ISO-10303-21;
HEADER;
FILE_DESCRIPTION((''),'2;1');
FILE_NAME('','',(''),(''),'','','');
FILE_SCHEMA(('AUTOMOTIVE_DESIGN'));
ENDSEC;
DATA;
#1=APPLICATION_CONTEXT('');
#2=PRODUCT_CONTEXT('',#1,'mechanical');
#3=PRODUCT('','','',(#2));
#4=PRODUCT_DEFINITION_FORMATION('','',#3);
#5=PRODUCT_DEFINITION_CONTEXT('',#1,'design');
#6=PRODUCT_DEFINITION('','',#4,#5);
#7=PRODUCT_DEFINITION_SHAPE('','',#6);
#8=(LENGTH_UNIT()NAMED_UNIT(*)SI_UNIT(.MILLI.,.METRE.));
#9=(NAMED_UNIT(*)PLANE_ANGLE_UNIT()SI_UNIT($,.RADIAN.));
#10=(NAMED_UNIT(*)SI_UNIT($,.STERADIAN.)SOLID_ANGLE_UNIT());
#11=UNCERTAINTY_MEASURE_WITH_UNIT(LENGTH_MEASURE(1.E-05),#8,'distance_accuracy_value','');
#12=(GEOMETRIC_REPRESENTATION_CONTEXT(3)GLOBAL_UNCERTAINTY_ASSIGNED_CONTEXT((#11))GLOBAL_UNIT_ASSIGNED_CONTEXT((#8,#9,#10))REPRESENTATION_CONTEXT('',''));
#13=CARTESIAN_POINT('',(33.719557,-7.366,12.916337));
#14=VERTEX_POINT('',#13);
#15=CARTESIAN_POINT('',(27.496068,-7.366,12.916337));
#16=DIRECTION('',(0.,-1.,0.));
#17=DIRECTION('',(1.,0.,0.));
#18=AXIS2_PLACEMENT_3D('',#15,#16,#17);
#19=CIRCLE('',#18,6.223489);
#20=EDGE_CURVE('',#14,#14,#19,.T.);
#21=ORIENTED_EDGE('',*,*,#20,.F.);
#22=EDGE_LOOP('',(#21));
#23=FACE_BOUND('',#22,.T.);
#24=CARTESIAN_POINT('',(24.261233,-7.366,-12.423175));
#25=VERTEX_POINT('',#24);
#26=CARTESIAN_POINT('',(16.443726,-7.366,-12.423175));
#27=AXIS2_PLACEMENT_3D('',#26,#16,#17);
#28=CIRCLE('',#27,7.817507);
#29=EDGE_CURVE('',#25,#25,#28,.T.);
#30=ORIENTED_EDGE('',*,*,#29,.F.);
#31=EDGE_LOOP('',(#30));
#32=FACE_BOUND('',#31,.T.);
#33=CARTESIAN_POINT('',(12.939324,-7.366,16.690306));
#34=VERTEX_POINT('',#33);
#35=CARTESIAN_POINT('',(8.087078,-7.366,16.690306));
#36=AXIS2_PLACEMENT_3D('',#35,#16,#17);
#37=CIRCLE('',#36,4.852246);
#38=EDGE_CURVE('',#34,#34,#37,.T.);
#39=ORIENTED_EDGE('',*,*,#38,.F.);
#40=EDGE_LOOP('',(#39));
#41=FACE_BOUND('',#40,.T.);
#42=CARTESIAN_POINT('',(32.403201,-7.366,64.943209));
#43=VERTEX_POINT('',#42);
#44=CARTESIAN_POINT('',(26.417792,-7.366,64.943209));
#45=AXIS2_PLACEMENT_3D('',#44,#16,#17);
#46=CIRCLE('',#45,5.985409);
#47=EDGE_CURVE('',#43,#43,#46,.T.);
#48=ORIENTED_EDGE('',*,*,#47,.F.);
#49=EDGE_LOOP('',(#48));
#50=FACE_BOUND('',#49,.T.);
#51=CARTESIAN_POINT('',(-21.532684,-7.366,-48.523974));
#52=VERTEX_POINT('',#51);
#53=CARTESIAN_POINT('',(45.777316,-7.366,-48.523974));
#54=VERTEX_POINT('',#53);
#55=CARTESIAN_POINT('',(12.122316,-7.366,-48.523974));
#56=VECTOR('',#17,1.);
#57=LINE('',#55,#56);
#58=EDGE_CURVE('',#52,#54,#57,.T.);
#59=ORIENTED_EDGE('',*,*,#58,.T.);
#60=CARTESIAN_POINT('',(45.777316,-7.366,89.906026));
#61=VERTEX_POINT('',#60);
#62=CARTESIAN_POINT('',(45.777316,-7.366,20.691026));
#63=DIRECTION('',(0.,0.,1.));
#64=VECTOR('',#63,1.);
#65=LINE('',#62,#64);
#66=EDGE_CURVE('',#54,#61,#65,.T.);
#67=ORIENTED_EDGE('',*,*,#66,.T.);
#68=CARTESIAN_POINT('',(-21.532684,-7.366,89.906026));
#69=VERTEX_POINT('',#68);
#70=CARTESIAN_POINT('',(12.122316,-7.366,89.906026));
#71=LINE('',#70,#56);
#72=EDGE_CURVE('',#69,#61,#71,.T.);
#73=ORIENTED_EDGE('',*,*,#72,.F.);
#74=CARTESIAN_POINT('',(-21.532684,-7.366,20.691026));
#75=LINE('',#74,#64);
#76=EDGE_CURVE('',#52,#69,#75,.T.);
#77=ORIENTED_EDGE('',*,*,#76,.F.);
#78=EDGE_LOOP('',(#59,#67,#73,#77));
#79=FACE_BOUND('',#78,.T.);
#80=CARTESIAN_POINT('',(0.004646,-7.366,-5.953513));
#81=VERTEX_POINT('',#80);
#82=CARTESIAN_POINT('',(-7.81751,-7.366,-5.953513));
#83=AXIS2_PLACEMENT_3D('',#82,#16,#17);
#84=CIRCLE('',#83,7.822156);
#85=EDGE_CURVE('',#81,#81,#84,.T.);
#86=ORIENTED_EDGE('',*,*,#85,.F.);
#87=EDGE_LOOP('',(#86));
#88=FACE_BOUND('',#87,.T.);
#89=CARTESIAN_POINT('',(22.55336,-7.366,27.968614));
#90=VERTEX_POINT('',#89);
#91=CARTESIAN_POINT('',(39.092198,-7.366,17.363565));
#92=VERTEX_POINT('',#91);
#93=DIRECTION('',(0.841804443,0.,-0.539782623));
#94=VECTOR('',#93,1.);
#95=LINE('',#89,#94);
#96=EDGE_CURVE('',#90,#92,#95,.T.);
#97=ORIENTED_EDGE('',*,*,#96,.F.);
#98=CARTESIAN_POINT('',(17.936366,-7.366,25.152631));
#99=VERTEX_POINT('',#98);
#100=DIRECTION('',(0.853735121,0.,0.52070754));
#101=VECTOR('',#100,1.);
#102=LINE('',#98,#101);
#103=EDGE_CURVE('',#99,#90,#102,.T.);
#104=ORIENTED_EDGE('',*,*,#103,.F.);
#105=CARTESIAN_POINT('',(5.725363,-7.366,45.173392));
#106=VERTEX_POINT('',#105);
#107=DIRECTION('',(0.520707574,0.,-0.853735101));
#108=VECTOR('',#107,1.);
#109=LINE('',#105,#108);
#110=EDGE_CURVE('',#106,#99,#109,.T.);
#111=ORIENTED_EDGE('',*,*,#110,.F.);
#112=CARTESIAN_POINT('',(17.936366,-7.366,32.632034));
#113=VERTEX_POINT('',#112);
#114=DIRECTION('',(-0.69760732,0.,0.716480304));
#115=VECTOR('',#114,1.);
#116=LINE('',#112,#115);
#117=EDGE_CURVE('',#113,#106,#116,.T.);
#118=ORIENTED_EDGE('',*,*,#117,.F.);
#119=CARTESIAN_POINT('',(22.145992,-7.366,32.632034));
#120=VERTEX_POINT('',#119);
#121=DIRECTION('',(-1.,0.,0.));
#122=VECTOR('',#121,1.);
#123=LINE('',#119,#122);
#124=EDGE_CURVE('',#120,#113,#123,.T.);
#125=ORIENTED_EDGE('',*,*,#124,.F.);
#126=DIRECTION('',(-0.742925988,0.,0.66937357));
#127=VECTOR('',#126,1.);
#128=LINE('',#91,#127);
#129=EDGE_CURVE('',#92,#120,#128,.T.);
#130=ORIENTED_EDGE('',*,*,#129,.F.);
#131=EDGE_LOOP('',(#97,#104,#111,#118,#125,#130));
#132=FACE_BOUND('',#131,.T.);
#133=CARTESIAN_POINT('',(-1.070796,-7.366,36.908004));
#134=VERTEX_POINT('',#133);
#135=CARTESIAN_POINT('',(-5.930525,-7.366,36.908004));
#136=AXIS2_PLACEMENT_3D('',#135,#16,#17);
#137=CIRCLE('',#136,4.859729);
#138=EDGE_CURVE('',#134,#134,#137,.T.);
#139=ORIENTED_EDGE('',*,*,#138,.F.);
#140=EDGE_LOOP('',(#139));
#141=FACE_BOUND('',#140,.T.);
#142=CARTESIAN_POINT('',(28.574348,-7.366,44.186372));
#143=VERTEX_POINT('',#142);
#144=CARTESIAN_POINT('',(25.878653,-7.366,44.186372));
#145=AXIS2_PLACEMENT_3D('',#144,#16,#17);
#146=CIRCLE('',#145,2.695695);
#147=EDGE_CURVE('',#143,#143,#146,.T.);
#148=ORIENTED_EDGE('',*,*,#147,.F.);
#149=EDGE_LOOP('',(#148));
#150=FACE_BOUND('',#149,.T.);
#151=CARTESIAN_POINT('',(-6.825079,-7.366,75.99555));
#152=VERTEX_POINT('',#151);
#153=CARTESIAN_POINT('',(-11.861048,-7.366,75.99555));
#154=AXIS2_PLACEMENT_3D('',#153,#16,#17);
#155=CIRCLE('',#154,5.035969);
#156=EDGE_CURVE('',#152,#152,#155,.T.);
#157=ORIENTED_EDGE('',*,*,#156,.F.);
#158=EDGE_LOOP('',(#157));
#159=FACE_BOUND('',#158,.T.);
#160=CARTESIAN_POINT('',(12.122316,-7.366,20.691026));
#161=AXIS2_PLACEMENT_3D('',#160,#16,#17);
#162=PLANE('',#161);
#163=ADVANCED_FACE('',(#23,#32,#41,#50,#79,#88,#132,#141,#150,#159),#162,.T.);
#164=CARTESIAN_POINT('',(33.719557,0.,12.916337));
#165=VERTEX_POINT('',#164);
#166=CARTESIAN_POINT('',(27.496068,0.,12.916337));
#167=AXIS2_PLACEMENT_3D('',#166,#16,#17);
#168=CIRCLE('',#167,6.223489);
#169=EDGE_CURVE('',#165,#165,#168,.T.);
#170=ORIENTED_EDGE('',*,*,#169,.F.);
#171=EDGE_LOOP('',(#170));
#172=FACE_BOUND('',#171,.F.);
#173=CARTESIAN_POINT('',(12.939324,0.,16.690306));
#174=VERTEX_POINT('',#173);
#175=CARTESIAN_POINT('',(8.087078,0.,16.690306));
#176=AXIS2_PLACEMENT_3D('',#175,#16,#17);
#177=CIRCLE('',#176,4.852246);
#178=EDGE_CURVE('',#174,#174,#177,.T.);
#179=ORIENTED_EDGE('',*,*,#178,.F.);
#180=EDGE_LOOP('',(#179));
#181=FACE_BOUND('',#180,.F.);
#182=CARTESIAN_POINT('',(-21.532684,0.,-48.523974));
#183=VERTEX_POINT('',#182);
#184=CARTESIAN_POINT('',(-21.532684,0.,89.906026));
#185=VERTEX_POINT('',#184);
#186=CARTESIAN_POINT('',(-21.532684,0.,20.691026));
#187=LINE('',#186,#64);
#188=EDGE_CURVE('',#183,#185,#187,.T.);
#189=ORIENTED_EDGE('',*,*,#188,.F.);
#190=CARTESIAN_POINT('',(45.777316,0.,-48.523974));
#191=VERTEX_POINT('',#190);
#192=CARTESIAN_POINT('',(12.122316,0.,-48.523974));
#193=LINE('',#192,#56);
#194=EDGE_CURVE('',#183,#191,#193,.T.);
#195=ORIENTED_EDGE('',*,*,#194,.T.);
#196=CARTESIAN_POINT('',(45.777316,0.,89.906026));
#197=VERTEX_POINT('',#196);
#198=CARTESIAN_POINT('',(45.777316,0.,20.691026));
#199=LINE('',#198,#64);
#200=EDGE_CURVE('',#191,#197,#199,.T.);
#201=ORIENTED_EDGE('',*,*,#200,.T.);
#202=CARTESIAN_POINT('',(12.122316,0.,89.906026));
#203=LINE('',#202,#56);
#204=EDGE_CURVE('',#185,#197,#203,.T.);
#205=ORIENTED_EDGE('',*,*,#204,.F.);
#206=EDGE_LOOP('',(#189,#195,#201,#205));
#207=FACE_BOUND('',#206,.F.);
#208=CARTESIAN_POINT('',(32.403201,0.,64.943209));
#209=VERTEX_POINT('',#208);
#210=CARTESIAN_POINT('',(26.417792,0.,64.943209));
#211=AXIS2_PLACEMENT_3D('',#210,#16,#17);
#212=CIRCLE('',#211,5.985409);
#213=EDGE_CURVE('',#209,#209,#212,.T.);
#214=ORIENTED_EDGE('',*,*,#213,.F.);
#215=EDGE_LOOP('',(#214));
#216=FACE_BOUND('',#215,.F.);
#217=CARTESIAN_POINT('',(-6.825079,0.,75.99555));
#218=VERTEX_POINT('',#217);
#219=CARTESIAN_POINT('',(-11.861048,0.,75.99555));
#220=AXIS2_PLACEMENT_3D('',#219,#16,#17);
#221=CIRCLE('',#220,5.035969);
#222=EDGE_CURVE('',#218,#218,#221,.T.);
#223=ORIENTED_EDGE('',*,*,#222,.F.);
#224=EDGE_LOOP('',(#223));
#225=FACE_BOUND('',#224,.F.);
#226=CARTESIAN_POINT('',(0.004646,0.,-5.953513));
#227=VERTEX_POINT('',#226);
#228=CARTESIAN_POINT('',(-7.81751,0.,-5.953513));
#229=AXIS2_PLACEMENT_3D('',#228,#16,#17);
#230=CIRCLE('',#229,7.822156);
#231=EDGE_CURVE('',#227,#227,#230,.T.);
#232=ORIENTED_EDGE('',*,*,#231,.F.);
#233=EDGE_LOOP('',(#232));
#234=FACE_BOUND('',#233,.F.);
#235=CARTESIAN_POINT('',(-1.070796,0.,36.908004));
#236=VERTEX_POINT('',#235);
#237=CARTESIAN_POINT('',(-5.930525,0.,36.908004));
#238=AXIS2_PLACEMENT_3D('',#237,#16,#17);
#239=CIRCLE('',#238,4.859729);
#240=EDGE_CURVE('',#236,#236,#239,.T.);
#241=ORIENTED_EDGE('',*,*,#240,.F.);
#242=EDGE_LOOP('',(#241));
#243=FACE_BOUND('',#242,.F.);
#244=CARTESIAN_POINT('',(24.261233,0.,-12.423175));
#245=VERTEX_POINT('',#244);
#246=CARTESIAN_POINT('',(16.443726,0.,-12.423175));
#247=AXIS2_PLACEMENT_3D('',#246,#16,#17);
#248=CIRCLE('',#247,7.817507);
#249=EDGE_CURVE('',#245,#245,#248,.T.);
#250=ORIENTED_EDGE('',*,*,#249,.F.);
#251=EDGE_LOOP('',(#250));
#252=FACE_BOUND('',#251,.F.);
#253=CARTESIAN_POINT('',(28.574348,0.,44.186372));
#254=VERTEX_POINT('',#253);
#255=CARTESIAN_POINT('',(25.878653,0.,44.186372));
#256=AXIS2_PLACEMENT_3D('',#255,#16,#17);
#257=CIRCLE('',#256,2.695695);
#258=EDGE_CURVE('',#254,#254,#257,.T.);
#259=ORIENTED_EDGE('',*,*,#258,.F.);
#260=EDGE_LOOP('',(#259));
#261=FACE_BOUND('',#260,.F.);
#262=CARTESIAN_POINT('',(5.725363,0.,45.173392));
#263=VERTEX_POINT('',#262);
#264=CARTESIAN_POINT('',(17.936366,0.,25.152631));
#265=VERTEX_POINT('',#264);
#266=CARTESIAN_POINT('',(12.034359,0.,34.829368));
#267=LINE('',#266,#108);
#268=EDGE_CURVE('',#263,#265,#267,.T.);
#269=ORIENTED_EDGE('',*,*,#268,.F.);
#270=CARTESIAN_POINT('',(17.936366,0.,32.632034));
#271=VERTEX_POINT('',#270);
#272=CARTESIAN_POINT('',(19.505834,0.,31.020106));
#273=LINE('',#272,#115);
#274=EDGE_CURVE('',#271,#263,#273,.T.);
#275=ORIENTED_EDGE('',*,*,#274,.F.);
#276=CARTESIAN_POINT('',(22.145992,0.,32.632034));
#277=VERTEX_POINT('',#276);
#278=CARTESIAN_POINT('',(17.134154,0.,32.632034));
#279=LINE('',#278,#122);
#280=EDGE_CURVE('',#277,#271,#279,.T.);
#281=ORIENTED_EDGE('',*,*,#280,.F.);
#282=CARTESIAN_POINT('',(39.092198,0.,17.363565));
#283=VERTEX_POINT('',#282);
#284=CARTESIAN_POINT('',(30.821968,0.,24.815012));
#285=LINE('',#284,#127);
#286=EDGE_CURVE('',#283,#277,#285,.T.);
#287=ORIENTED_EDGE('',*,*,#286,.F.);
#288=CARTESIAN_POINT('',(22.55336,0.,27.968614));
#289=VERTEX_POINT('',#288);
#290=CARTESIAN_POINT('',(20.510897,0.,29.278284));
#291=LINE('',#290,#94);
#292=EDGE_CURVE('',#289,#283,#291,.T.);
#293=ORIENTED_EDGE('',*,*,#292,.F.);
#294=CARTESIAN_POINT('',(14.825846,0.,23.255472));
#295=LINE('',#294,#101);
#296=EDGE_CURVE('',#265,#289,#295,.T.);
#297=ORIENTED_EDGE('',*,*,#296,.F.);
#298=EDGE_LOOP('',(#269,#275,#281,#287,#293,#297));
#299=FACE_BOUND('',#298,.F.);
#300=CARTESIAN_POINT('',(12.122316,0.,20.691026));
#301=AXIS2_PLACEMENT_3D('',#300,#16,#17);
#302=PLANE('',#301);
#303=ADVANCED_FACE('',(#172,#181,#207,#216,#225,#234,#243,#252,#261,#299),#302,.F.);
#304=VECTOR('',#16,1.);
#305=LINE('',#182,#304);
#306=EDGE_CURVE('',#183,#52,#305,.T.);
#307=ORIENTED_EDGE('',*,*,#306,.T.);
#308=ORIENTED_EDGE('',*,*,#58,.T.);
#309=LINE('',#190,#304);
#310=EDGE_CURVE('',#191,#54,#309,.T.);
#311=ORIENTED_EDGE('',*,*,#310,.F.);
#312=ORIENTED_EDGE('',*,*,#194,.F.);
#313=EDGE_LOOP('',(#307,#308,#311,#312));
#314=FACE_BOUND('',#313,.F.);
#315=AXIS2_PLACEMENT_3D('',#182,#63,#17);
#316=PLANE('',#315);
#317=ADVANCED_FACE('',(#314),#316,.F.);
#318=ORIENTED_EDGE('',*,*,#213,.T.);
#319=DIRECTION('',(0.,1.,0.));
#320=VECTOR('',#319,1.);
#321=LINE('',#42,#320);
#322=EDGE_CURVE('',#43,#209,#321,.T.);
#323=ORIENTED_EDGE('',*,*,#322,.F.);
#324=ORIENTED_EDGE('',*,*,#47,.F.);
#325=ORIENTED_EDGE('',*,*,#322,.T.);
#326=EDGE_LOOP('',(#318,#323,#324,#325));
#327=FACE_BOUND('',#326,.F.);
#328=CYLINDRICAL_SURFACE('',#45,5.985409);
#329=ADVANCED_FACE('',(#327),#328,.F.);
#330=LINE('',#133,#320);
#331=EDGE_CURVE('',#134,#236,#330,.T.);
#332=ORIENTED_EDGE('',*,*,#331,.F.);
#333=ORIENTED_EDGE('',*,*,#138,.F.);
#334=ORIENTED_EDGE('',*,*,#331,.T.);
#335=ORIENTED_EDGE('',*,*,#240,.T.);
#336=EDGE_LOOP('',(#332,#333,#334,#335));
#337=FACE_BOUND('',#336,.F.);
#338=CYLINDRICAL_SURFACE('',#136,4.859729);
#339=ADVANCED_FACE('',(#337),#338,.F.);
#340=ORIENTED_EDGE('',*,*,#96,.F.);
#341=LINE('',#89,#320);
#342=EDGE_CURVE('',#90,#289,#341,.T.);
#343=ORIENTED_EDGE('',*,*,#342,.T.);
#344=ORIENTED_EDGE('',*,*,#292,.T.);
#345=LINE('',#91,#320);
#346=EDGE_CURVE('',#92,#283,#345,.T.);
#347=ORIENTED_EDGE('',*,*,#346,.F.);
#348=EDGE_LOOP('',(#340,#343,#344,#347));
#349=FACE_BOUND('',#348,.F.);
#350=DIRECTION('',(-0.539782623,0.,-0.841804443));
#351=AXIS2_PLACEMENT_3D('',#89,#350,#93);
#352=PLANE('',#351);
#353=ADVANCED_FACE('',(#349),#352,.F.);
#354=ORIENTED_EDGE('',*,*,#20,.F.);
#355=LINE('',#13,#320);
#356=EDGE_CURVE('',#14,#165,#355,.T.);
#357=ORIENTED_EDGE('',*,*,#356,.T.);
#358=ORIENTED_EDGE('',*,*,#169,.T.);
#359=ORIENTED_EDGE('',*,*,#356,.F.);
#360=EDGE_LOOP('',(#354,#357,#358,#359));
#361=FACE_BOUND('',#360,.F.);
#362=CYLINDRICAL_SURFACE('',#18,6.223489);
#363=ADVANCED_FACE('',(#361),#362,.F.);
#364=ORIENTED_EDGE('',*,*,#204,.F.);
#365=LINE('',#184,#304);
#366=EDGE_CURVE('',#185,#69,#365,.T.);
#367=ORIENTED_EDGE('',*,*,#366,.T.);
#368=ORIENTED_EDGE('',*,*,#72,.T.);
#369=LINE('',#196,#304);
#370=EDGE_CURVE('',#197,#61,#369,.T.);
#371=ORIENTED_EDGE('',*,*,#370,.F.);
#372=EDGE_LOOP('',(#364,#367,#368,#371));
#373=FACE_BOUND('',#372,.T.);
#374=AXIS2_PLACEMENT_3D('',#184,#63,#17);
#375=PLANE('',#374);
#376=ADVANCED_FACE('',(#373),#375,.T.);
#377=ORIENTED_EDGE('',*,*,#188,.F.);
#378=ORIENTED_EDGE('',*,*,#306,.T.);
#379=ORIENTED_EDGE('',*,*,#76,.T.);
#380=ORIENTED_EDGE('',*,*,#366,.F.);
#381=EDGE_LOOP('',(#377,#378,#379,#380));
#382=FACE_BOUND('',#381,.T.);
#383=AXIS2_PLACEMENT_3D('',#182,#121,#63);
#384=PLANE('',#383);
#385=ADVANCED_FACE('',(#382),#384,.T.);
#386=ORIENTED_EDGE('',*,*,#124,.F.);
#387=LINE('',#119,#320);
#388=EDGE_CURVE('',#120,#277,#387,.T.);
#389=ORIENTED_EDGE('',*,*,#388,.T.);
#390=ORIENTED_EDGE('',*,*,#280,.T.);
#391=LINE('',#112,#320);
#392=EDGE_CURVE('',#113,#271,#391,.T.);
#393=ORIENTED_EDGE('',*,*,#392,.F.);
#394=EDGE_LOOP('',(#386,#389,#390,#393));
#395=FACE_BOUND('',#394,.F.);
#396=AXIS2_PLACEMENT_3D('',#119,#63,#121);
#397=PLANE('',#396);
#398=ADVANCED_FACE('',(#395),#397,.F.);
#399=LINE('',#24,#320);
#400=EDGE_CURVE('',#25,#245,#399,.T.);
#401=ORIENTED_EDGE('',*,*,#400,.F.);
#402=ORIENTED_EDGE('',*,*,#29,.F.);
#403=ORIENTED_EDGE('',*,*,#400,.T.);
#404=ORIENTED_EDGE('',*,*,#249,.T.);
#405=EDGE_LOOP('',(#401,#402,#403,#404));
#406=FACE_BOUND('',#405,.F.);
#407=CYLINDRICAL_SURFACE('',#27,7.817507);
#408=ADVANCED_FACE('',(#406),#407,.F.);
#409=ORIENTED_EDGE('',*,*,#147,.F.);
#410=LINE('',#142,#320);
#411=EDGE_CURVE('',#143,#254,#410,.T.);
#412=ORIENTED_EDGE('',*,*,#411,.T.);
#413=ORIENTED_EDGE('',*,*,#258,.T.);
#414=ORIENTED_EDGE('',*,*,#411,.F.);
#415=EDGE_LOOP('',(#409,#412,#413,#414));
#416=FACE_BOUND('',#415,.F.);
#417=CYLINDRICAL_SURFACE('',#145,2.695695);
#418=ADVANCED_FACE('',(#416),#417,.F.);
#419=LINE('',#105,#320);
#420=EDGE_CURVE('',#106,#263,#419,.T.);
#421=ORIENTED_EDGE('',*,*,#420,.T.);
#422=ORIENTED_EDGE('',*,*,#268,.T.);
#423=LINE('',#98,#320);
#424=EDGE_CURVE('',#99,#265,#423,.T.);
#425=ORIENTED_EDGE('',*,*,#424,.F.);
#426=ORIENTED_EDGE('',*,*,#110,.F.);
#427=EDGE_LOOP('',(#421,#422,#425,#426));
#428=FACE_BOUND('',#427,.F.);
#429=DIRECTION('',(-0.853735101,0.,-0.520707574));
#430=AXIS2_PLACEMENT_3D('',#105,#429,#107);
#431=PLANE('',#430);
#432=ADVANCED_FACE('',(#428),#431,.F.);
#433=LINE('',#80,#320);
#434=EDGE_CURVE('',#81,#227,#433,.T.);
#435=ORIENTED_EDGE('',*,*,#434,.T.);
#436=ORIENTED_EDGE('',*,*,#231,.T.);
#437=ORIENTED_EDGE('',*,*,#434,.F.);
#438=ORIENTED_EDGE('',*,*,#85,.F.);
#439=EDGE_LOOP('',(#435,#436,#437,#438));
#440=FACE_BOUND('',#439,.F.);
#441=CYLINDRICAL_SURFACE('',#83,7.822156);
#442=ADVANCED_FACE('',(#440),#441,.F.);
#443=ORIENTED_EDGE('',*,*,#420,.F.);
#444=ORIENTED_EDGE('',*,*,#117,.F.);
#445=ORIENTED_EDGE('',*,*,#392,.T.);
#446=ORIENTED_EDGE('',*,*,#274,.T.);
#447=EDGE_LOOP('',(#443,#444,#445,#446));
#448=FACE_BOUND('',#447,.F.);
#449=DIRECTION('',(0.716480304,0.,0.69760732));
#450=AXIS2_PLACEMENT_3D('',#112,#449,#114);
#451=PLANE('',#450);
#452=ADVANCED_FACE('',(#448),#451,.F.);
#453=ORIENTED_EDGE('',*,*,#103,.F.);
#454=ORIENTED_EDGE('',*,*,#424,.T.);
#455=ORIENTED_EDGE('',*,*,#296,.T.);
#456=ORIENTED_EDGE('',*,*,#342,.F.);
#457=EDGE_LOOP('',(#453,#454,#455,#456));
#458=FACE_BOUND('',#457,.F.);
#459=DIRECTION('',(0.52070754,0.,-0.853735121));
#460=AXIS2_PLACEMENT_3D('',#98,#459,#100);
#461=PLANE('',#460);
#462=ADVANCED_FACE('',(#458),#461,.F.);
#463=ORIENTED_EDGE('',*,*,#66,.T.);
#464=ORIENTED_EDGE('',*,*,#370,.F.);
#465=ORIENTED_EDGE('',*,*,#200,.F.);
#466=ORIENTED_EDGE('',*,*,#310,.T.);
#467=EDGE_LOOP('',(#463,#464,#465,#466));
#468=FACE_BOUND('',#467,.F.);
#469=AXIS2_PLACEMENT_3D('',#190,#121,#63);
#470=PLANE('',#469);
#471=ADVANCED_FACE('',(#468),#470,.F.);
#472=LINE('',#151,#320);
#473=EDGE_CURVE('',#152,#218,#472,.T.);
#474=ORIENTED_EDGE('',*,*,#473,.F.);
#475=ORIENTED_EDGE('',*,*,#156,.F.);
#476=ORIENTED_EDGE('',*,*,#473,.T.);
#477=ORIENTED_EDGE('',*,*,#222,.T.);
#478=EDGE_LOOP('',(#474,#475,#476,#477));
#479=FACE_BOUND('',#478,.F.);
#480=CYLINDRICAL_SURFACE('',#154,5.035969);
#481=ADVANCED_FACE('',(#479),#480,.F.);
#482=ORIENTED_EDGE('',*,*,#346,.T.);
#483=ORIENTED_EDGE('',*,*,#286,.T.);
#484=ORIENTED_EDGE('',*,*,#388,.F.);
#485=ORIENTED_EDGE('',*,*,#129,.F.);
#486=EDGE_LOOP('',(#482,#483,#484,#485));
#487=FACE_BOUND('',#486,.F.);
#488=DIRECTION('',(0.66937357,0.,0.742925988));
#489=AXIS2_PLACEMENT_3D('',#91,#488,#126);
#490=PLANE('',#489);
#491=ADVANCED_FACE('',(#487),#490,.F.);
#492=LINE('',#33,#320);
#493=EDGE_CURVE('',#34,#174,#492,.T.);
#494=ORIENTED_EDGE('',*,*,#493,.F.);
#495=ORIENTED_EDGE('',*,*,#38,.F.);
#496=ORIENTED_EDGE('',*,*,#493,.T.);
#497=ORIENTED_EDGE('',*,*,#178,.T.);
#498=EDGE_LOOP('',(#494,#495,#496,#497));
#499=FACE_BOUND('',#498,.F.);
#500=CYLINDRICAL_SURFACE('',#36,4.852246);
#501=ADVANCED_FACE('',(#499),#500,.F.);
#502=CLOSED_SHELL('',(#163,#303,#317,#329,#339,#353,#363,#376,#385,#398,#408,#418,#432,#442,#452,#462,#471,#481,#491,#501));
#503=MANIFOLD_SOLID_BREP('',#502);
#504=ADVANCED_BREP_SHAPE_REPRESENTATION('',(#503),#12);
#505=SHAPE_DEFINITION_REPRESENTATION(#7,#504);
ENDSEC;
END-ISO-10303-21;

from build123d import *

# Parameters (mm, degrees)
F0_W     = 67.31
F0_H     = 138.43
F1_DEPTH = 7.366
F2_R     = 5.985409
F2_R_2   = 5.035969
F2_R_3   = 4.859729
F2_R_4   = 4.852246
F2_R_5   = 6.223489
F2_R_6   = 7.822156
F2_R_7   = 7.817507
F2_R_8   = 2.695695
F3_DEPTH = 25.4
F5_DEPTH = 25.4


with BuildPart() as f1:
    # F0 (on Front) → F1 (new body)
    with BuildSketch(Plane.XZ):
        with Locations((12.122316, 20.691026)):
            Rectangle(F0_W, F0_H)
    extrude(amount=F1_DEPTH)

    # F2 (on face) → F3 (cut)
    with BuildSketch(Plane.XZ.offset(7.366)):
        with Locations((26.417792, 64.943209)):
            Circle(F2_R)
        with Locations((-11.861048, 75.99555)):
            Circle(F2_R_2)
        with Locations((-5.930525, 36.908004)):
            Circle(F2_R_3)
        with Locations((8.087078, 16.690306)):
            Circle(F2_R_4)
        with Locations((27.496068, 12.916337)):
            Circle(F2_R_5)
        with Locations((-7.81751, -5.953513)):
            Circle(F2_R_6)
        with Locations((16.443726, -12.423175)):
            Circle(F2_R_7)
        with Locations((25.878653, 44.186372)):
            Circle(F2_R_8)
    extrude(amount=-F3_DEPTH, mode=Mode.SUBTRACT)

    # F4 (on face) → F5 (cut)
    with BuildSketch(Plane.XZ.offset(7.366)):
        Polygon((17.936366, 32.632034), (5.725363, 45.173392), (17.936366, 25.152631), (22.55336, 27.968614), (39.092198, 17.363565), (22.145992, 32.632034), align=None)
    extrude(amount=-F5_DEPTH, mode=Mode.SUBTRACT)


solid = f1.part
